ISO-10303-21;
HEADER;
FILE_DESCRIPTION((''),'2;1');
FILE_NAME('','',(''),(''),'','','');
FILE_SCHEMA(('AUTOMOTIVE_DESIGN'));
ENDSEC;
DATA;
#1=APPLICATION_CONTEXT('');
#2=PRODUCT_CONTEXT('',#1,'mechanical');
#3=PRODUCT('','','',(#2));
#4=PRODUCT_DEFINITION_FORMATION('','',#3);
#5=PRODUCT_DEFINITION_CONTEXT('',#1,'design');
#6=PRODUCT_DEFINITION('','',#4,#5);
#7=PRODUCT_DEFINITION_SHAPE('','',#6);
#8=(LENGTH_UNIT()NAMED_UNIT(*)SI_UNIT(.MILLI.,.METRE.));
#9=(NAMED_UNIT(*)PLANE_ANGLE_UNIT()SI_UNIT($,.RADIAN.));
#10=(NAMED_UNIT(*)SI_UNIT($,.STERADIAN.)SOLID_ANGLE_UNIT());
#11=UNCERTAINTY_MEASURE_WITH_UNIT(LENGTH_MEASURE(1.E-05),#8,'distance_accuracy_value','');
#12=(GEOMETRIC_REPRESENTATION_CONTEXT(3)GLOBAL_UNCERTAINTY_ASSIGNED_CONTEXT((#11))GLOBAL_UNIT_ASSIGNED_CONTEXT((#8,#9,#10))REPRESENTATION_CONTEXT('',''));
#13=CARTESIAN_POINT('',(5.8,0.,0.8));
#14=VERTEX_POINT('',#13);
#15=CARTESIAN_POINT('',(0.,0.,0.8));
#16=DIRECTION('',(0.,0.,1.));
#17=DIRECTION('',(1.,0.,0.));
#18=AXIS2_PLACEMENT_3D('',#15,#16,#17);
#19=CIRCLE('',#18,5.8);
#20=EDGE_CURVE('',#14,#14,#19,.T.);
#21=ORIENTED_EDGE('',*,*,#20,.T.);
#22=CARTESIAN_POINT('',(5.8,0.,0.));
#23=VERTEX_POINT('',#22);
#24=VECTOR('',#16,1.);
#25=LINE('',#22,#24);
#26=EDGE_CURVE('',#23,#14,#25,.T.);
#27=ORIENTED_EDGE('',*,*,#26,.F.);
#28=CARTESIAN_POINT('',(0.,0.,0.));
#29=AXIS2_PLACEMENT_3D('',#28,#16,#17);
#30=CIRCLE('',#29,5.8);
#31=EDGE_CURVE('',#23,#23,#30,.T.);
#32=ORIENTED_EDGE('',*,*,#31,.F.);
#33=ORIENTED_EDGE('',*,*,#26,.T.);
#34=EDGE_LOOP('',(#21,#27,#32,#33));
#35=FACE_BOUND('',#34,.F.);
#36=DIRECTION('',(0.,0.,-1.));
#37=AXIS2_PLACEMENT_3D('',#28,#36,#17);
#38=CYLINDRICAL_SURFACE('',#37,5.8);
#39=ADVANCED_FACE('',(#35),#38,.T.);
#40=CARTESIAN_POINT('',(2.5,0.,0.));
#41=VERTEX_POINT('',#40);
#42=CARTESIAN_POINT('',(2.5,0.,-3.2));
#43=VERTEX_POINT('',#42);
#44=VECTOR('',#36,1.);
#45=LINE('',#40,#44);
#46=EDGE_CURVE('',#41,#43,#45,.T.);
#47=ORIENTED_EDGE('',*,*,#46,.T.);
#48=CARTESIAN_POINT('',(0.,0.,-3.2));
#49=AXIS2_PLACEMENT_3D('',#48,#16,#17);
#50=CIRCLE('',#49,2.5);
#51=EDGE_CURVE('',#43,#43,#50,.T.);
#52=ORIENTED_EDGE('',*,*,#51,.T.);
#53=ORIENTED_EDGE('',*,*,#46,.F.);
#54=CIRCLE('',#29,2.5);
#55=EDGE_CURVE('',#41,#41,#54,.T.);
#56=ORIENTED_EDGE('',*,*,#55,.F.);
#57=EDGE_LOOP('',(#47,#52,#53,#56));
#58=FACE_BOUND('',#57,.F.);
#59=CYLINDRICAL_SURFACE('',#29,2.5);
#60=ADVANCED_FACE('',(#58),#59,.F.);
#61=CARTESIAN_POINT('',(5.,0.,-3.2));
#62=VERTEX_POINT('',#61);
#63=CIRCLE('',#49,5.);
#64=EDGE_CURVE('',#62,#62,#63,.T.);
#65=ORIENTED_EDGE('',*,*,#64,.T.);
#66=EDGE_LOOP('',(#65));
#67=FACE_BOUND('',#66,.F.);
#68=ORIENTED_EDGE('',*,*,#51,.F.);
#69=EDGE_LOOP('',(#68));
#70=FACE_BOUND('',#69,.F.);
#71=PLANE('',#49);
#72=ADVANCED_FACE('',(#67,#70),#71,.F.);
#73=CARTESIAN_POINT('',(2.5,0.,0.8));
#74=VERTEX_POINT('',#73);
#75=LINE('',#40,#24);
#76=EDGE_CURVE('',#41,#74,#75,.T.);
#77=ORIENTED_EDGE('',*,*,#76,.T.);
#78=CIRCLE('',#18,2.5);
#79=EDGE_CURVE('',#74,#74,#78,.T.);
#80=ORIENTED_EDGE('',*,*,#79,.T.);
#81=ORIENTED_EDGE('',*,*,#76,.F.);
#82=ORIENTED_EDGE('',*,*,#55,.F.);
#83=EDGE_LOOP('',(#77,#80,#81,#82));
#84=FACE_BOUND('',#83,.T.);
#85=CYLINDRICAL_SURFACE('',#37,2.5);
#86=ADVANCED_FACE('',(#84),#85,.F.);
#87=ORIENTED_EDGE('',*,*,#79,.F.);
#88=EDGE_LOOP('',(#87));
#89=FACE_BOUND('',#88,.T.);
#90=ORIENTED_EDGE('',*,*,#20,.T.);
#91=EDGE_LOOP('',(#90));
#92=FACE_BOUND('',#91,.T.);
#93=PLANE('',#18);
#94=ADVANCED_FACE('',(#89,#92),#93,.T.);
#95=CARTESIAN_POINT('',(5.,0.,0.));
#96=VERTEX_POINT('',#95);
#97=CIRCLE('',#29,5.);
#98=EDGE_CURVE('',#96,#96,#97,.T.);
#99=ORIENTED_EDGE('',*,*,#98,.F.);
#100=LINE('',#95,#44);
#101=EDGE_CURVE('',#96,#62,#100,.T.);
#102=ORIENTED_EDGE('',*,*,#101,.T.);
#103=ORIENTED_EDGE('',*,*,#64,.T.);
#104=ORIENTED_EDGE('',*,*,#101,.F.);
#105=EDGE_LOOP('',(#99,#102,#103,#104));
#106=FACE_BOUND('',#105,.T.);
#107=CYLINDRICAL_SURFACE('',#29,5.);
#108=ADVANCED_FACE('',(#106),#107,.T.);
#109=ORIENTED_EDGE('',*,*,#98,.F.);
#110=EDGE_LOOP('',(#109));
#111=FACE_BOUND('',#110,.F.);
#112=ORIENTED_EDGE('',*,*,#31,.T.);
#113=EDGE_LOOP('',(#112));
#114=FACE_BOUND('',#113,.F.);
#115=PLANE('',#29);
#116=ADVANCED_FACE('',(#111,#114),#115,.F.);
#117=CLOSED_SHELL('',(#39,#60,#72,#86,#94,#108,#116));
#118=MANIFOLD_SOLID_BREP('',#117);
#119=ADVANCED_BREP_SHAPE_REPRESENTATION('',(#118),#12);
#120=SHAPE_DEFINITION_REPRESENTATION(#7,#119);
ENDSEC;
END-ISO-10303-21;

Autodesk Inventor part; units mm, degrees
ref_plane "YZ Plane" through (0, 0, 0) normal (1, 0, 0) x (0, 1, 0)
ref_plane "XZ Plane" through (0, 0, 0) normal (0, 1, 0) x (-1, 0, 0)
ref_plane "XY Plane" through (0, 0, 0) normal (0, 0, 1) x (1, 0, 0)
sketch "スケッチ1" plane through (0, 0, 0) normal (0, 0, 1) x (1, 0, 0)
  circle A0 centre (0, 0) radius 2.5
  circle A1 centre (0, 0) radius 5
  circle A2 centre (0, 0) radius 5.8
  dimension "d0" = 5
  dimension "d1" = 10
  dimension "d2" = 11.6
extrude "押し出し1" add sketch "スケッチ1" along normal blind 0.8 contours A1 | A2
extrude "押し出し2" add sketch "スケッチ1" against normal blind 3.2 contours A1
properties part number "ベアリング　内径5 外径10"
